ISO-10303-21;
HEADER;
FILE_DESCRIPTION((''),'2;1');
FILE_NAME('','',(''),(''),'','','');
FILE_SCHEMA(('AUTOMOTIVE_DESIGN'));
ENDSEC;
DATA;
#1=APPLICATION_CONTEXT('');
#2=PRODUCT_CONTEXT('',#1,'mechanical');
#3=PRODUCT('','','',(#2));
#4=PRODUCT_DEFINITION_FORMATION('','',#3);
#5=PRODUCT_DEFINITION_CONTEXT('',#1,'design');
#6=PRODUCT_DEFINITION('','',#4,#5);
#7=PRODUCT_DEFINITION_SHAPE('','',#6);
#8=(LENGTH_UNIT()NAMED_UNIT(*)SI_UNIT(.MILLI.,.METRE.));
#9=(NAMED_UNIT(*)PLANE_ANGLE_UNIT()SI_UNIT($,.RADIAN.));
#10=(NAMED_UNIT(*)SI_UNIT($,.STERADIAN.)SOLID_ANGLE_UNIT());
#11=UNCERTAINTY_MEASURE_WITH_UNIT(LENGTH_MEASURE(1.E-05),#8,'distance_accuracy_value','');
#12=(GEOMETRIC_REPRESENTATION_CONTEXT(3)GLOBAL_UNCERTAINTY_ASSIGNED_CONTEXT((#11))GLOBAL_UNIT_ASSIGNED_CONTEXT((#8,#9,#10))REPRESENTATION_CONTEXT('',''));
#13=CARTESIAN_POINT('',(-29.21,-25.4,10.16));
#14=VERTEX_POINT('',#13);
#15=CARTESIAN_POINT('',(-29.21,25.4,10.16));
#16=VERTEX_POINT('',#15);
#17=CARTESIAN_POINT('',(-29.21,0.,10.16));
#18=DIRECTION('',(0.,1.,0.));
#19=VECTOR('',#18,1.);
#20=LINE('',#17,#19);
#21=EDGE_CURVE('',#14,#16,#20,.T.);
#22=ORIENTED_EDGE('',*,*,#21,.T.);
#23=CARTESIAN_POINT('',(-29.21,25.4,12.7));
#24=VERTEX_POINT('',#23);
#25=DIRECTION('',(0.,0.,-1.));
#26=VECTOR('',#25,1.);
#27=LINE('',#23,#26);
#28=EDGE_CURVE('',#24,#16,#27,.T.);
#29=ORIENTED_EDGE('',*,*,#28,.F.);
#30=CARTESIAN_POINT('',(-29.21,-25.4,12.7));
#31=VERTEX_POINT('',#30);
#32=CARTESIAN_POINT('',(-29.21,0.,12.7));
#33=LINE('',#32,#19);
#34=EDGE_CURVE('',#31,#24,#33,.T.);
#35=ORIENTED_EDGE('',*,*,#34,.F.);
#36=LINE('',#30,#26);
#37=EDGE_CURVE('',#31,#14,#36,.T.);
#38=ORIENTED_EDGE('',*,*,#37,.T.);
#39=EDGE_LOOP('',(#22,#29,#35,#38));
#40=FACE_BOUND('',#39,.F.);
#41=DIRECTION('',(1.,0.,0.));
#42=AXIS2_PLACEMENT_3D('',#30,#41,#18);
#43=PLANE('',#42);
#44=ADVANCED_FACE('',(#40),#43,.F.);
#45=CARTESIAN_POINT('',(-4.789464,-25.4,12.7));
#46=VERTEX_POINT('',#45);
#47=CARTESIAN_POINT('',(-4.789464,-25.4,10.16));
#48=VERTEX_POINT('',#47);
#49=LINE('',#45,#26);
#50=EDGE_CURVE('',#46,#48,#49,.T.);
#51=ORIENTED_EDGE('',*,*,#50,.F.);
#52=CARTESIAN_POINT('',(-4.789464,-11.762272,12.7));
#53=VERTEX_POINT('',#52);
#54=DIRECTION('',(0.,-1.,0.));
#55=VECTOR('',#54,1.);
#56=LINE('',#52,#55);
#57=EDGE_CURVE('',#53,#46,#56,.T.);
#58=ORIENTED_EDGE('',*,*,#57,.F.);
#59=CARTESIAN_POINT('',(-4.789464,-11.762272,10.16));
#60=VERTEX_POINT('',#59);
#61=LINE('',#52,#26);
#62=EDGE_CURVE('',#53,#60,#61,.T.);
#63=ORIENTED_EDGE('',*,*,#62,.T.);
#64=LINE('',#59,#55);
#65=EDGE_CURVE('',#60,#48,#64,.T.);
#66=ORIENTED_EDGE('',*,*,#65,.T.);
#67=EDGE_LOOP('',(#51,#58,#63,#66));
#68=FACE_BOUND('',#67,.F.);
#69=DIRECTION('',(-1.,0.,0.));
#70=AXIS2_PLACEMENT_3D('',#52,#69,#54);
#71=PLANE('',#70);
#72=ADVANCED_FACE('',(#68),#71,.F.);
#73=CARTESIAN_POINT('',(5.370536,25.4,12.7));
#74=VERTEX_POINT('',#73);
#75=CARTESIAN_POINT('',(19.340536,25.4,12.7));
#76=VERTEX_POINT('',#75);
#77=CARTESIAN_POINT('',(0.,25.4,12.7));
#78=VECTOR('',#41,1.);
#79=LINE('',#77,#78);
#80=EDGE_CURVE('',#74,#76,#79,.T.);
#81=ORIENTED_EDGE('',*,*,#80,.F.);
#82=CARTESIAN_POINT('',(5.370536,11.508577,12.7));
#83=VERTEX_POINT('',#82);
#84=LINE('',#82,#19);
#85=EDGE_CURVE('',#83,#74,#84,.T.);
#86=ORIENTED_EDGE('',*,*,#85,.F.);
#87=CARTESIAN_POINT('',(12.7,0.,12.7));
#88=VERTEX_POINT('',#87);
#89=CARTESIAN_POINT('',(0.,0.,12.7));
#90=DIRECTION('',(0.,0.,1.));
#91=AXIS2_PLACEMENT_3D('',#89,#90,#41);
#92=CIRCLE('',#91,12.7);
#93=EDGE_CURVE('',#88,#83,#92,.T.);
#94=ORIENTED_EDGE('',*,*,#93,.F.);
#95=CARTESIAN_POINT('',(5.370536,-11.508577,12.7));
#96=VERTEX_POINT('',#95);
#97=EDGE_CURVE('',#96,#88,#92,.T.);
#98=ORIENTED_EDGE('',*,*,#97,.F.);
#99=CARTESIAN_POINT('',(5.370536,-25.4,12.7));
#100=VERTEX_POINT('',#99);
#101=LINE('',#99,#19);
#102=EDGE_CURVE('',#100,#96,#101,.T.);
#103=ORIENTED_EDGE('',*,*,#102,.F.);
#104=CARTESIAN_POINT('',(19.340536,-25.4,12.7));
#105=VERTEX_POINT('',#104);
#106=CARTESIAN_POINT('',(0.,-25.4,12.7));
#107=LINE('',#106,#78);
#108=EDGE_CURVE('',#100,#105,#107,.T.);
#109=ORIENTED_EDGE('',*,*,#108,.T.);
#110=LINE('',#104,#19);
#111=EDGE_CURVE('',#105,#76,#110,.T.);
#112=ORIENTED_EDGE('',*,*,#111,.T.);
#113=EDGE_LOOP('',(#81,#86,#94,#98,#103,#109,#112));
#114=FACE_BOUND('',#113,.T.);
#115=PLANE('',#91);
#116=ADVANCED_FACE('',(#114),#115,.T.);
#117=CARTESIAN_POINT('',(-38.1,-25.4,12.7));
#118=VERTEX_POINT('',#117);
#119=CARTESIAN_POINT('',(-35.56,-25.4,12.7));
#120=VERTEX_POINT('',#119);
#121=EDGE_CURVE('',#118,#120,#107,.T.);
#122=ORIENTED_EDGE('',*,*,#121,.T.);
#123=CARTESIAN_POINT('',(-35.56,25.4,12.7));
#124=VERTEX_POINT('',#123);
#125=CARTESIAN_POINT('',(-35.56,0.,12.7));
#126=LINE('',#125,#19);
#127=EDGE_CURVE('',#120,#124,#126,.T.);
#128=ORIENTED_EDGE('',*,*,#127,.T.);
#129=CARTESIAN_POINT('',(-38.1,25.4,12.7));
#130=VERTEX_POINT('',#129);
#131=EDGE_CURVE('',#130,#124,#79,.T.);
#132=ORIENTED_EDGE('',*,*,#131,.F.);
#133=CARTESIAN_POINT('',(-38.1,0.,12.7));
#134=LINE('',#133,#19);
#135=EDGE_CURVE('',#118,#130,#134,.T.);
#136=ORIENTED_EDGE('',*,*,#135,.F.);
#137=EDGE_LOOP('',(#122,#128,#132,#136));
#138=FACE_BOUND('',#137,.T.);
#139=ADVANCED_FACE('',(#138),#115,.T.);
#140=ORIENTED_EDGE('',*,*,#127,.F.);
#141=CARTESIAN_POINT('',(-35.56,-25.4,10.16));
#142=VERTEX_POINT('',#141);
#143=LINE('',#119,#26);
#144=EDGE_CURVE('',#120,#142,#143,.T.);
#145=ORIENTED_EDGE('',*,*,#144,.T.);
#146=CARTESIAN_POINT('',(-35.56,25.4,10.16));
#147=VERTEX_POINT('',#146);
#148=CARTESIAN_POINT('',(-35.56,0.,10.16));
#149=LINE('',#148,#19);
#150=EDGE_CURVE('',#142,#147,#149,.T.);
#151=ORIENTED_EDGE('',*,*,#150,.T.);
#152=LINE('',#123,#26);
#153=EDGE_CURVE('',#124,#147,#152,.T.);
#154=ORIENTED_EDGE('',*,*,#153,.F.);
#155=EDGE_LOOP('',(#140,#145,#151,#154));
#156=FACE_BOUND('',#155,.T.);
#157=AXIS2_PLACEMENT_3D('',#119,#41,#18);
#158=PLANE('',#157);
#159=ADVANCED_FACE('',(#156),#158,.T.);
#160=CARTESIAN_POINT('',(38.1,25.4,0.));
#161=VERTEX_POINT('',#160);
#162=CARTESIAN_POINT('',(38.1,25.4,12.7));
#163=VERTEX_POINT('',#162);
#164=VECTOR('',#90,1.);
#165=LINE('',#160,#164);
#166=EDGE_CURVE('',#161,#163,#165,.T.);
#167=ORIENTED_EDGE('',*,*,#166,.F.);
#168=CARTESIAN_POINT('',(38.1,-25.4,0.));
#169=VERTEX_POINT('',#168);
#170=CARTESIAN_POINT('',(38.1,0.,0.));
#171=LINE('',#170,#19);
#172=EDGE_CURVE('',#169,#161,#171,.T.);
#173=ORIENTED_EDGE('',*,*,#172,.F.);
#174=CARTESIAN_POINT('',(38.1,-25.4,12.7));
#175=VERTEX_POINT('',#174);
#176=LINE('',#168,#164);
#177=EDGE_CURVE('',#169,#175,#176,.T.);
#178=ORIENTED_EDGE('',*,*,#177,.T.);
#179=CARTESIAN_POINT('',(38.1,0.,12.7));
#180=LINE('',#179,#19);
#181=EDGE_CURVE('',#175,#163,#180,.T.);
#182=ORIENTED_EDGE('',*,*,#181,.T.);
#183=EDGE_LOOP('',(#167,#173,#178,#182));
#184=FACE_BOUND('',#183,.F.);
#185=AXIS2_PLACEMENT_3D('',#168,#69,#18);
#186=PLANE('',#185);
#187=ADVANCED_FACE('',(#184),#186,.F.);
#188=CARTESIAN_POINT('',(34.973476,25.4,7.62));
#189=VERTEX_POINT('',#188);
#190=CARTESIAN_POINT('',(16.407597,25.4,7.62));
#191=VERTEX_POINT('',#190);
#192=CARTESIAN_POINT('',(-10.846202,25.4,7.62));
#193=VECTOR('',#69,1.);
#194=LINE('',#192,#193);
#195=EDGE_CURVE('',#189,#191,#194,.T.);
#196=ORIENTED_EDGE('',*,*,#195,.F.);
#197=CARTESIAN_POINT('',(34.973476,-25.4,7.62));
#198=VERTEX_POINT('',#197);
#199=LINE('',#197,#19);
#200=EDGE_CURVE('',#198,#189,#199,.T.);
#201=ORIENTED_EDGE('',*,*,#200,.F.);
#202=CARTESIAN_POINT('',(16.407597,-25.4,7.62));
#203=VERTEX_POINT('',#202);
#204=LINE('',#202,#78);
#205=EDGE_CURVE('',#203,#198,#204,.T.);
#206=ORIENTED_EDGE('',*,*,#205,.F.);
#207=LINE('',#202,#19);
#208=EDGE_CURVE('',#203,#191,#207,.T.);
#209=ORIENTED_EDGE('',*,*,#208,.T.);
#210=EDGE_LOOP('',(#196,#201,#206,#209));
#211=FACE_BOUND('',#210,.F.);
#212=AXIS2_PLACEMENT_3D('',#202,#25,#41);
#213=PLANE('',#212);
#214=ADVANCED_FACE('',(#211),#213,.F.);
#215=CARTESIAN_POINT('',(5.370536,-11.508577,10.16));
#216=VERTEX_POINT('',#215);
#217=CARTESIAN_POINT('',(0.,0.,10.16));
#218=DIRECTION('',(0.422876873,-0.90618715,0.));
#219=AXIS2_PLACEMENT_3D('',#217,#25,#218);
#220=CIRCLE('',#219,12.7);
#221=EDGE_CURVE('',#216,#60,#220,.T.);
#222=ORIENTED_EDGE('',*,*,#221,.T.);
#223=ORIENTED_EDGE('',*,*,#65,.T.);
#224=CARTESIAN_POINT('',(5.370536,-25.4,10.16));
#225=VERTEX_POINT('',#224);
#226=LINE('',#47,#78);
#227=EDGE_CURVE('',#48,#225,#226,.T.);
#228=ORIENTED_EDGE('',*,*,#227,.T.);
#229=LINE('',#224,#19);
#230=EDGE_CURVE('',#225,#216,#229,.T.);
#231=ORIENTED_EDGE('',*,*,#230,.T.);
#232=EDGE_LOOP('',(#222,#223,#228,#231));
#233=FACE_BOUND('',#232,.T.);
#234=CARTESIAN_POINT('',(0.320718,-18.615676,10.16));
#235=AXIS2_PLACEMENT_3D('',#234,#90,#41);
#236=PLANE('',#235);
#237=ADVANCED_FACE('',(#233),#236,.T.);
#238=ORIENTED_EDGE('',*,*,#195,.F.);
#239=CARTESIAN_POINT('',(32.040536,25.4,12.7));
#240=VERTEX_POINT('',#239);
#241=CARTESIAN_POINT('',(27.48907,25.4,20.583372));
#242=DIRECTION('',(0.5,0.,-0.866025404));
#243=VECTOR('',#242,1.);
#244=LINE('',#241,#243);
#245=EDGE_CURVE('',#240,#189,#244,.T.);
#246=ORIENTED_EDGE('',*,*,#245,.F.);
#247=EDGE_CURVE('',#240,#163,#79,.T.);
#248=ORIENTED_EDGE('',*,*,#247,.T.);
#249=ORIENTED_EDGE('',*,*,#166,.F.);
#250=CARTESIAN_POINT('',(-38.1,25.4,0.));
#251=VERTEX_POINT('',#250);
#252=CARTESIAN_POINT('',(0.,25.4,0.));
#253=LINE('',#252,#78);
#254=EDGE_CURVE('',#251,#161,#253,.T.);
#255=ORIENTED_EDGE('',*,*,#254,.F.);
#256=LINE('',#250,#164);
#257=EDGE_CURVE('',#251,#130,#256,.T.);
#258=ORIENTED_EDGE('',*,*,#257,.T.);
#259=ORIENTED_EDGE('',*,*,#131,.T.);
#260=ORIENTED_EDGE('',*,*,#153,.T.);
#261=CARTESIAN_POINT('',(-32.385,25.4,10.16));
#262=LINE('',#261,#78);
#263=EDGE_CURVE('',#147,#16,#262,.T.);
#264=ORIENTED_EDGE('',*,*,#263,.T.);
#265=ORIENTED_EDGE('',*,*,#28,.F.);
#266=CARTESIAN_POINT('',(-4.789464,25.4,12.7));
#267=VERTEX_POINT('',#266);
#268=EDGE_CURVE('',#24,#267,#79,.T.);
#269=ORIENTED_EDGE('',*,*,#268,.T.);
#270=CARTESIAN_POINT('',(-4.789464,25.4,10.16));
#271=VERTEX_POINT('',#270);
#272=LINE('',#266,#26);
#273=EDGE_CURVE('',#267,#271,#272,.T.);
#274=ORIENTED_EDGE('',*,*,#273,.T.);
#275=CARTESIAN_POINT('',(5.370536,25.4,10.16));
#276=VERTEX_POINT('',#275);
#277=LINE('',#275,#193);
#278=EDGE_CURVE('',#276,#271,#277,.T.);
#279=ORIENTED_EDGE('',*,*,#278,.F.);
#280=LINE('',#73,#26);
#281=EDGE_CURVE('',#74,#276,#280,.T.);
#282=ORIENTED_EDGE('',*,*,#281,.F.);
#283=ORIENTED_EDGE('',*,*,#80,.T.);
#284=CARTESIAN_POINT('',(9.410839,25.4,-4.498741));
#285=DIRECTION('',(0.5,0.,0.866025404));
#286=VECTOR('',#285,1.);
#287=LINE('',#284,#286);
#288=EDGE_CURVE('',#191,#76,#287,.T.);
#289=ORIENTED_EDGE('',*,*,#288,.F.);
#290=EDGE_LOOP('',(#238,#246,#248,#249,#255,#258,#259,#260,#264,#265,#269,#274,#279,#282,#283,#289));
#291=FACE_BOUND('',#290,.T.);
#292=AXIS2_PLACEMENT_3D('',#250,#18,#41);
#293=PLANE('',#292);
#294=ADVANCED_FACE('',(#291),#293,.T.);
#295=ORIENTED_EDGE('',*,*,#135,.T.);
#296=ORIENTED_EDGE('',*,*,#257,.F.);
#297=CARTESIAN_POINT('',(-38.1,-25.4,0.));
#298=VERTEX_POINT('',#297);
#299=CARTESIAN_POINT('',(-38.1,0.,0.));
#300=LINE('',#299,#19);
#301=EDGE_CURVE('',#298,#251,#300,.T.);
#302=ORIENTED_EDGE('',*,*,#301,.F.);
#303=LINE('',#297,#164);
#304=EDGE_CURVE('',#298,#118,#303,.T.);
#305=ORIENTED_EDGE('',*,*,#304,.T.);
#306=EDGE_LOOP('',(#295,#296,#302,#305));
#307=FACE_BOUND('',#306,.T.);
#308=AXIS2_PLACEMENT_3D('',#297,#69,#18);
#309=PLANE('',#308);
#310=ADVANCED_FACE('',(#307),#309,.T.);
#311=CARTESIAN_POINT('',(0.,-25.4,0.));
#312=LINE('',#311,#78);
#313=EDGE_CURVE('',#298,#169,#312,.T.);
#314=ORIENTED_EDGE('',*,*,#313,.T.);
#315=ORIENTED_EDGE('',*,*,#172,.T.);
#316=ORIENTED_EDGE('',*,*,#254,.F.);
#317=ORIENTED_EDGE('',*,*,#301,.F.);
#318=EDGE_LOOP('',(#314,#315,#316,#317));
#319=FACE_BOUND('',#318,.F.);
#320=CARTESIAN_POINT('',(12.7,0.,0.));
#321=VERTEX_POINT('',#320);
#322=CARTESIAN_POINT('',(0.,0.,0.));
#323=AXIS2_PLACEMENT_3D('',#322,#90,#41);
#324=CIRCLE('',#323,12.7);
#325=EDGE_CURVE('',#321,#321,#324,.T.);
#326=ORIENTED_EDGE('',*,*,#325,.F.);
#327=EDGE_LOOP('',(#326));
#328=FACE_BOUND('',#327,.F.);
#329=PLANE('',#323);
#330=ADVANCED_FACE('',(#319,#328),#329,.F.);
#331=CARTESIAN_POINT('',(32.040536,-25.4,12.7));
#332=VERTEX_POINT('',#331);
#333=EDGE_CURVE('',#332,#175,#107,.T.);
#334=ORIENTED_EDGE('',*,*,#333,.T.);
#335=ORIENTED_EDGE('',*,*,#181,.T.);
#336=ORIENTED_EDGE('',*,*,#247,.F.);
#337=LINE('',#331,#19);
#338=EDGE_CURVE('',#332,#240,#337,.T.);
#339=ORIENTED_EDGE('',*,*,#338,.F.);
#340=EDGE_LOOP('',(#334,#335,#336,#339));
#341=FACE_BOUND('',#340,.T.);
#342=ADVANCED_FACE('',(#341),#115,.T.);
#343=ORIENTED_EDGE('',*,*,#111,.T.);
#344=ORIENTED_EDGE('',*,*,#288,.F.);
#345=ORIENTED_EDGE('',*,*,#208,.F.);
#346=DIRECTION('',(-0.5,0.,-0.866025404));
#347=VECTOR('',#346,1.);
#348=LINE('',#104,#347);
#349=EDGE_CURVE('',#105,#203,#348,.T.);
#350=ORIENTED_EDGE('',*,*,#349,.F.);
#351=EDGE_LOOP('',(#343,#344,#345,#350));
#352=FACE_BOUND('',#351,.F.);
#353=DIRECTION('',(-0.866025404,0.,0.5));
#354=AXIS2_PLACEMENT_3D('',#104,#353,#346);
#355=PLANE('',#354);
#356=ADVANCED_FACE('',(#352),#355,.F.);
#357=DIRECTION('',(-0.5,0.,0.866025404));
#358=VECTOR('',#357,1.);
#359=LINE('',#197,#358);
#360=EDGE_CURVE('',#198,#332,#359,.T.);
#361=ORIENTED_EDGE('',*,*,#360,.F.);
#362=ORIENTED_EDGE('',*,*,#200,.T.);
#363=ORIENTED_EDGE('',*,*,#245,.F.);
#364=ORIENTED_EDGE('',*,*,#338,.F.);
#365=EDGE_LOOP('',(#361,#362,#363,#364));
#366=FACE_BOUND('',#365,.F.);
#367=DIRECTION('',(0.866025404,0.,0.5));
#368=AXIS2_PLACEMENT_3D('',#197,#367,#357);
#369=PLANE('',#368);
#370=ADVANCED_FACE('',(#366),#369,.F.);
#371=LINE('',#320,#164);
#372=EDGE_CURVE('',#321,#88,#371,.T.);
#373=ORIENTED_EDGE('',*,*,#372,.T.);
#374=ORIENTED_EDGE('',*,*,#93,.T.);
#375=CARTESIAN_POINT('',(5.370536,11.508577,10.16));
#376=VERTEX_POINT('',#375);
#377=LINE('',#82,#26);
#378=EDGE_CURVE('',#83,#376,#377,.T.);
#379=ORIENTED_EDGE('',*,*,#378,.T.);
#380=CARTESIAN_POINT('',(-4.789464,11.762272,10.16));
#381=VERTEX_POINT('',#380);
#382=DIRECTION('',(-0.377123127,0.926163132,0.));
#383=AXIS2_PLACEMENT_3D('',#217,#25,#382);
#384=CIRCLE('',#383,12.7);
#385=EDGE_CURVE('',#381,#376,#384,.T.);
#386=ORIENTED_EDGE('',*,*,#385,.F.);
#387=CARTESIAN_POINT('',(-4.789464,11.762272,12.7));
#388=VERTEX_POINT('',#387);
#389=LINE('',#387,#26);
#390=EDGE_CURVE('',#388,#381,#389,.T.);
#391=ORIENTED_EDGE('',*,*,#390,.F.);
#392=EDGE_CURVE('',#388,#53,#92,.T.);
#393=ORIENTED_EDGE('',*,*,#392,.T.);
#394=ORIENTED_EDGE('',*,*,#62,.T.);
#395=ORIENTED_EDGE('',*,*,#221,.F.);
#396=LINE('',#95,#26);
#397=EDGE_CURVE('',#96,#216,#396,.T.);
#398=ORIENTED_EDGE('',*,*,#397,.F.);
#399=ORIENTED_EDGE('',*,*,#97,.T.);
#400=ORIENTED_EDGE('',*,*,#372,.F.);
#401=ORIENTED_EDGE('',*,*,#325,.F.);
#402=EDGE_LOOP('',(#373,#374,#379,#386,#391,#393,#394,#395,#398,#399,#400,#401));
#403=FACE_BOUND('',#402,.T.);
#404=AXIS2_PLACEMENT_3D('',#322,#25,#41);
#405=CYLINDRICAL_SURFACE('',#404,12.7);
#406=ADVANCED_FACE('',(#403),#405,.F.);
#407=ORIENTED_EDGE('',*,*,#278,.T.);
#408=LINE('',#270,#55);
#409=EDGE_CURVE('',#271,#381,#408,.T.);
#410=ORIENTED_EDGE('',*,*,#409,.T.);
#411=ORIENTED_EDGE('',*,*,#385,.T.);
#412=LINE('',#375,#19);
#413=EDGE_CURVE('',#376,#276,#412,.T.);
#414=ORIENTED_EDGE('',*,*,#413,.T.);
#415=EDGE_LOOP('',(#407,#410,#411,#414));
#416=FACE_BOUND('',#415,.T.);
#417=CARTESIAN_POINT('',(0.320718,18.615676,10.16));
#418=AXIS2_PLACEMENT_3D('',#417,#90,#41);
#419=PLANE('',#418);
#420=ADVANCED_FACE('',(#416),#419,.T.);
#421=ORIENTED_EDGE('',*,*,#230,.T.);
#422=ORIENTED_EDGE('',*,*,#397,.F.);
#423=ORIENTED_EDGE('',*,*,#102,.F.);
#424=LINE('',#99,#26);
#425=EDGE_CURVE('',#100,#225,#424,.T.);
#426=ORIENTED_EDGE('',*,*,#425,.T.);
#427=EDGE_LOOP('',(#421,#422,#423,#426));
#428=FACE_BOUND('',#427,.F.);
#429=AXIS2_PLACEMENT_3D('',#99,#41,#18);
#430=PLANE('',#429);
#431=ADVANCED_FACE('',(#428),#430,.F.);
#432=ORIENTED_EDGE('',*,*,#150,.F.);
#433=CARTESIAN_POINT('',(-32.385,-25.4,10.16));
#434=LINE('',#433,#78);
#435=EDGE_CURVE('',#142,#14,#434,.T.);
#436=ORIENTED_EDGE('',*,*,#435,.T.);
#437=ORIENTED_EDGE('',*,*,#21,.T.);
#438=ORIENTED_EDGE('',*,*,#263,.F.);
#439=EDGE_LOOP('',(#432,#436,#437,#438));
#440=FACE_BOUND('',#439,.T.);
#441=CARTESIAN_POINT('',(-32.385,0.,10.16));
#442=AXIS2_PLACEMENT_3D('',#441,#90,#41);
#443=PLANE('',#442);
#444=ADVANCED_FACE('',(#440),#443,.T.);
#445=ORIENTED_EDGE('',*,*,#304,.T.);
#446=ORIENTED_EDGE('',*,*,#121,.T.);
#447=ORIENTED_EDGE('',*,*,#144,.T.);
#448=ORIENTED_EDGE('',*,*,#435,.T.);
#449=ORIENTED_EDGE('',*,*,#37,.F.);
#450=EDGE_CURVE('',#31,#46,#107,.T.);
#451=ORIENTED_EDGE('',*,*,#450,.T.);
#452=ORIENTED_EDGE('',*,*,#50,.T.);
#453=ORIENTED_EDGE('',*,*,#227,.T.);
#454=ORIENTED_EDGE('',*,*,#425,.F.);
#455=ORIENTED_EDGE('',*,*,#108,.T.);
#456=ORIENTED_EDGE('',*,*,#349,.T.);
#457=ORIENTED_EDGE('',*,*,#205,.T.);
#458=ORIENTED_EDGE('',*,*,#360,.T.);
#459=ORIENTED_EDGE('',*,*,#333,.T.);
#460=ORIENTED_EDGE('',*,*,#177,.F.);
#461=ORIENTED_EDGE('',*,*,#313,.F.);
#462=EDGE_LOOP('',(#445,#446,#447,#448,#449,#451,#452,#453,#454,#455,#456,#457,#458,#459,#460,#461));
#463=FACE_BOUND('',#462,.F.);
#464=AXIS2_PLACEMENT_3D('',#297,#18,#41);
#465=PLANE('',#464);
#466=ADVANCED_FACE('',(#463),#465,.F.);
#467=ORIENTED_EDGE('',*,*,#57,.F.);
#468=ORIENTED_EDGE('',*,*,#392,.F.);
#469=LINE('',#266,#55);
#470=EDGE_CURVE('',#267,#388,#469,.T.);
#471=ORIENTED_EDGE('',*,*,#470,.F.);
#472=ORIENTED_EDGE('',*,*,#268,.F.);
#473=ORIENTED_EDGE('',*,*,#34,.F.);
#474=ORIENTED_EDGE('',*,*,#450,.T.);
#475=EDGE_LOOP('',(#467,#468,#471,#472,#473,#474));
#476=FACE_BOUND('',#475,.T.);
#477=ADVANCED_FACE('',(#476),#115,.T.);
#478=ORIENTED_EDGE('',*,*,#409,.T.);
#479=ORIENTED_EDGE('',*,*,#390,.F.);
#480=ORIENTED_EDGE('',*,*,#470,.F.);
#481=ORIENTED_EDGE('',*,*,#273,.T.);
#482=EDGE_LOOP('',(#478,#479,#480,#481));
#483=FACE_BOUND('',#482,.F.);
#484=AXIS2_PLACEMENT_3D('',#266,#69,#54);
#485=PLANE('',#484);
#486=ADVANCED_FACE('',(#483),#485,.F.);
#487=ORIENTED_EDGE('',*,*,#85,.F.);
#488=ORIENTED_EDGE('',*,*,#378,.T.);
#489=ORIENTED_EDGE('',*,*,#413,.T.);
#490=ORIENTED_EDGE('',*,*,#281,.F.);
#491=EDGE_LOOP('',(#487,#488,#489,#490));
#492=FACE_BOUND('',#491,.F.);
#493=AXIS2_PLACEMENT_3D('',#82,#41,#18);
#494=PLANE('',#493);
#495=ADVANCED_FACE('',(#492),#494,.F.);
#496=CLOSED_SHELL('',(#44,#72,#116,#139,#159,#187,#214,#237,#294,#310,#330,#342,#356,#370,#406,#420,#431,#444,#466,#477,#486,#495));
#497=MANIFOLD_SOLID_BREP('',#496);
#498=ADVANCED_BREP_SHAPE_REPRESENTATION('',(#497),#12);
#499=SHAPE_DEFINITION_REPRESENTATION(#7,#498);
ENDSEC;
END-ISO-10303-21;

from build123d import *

# Parameters (mm, degrees)
F0_W     = 76.2
F0_H     = 50.8
F0_R     = 12.7
F1_DEPTH = 12.7
F2_W     = 6.35
F2_H     = 50.8
F3_DEPTH = 2.54
F5_DEPTH = 50.801


with BuildPart() as f1:
    # F0 (on Top) → F1 (new body)
    with BuildSketch(Plane.XY):
        Rectangle(F0_W, F0_H)
        Circle(F0_R, mode=Mode.SUBTRACT)
    extrude(amount=F1_DEPTH)

    # F2 (on face) → F3 (cut)
    with BuildSketch(Plane.XY.offset(12.7)):
        with Locations((-32.385, 0)):
            Rectangle(F2_W, F2_H)
        with BuildLine():
            Line((5.37053629, 25.4), (-4.78946371, 25.4))
            Line((-4.78946371, 25.4), (-4.78946371, 11.7622717776))
            ThreePointArc((-4.78946371, 11.7622717776), (0.3170199067, 12.6960426267), (5.37053629, 11.5085767999))
            Line((5.37053629, 11.5085767999), (5.37053629, 25.4))
        make_face()
        with BuildLine():
            Line((-4.78946371, -11.7622717776), (-4.78946371, -25.4))
            Line((-4.78946371, -25.4), (5.37053629, -25.4))
            Line((5.37053629, -25.4), (5.37053629, -11.5085767999))
            ThreePointArc((5.37053629, -11.5085767999), (0.3170199067, -12.6960426267), (-4.78946371, -11.7622717776))
        make_face()
    extrude(amount=-F3_DEPTH, mode=Mode.SUBTRACT)

    # F4 (on face) → F5 (cut, through all)
    with BuildSketch(Plane.XZ.offset(25.4)):
        Polygon((32.04053629, 12.7), (19.34053629, 12.7), (16.4075969225, 7.62), (34.9734756574, 7.62), align=None)
    extrude(amount=-F5_DEPTH, mode=Mode.SUBTRACT)


solid = f1.part
